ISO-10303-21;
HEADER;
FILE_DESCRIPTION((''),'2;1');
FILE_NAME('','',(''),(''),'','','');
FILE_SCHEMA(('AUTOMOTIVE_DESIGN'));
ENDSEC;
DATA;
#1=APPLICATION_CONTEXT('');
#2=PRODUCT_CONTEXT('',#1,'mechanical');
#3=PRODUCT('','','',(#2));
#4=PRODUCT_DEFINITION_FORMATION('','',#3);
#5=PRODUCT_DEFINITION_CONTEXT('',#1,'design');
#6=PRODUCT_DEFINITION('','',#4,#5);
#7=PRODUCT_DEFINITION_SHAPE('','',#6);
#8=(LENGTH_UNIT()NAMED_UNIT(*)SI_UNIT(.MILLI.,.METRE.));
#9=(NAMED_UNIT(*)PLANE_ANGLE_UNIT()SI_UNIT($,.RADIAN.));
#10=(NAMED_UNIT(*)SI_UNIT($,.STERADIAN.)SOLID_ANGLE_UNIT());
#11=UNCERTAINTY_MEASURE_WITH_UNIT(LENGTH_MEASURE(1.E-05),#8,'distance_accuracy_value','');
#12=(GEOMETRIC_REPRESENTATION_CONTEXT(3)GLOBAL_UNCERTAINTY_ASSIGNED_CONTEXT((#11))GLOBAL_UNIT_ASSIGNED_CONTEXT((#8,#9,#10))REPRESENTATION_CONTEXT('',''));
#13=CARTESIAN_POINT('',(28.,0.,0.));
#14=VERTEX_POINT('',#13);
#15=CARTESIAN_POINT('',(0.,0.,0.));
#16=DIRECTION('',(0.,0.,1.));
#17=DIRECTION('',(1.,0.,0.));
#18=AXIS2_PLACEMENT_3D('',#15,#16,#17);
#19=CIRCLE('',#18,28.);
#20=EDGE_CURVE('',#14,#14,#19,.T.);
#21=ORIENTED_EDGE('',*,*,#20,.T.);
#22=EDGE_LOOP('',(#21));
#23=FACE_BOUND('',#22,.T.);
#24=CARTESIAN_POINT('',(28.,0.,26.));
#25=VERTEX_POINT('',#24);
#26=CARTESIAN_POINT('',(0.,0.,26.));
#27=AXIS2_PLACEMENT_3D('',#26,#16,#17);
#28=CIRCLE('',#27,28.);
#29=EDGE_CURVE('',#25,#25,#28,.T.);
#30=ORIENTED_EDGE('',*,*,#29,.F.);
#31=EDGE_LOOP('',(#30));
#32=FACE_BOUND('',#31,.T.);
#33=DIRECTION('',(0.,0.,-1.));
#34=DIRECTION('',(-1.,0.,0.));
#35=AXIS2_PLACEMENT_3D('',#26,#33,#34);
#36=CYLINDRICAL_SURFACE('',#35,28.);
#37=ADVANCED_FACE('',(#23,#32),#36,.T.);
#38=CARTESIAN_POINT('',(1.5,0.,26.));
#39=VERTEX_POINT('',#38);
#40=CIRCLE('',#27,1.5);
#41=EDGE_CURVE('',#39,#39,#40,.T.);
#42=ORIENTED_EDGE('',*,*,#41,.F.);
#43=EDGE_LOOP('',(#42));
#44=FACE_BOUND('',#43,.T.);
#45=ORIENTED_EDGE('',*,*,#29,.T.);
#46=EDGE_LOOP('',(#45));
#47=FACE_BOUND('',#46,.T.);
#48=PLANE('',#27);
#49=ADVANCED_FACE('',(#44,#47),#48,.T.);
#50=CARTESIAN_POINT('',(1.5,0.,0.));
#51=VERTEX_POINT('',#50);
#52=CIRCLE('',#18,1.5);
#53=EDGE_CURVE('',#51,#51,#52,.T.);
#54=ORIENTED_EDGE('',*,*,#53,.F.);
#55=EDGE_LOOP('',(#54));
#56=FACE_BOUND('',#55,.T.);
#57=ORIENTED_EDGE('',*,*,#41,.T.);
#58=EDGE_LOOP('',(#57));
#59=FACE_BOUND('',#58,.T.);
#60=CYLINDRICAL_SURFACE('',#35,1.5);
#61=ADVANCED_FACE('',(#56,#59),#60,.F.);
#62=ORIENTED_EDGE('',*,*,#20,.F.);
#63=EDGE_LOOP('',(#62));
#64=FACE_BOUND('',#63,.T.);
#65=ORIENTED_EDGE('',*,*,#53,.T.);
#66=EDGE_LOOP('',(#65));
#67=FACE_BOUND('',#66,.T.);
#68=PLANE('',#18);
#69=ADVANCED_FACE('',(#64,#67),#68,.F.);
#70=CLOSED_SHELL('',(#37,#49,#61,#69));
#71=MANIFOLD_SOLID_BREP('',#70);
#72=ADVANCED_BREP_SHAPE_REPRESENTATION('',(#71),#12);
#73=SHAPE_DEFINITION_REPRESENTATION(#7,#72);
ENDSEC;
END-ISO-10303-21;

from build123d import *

# Parameters (mm, degrees)
SKETCH_1_R      = 28
SKETCH_1_R_2    = 1.5
EXTRUDE_1_DEPTH = 26


with BuildPart() as part:
    # 草圖1 → 填料-伸長1 (new body)
    with BuildSketch(Plane.XY):
        Circle(SKETCH_1_R)
        Circle(SKETCH_1_R_2, mode=Mode.SUBTRACT)
    extrude(amount=EXTRUDE_1_DEPTH)


solid = part.part
